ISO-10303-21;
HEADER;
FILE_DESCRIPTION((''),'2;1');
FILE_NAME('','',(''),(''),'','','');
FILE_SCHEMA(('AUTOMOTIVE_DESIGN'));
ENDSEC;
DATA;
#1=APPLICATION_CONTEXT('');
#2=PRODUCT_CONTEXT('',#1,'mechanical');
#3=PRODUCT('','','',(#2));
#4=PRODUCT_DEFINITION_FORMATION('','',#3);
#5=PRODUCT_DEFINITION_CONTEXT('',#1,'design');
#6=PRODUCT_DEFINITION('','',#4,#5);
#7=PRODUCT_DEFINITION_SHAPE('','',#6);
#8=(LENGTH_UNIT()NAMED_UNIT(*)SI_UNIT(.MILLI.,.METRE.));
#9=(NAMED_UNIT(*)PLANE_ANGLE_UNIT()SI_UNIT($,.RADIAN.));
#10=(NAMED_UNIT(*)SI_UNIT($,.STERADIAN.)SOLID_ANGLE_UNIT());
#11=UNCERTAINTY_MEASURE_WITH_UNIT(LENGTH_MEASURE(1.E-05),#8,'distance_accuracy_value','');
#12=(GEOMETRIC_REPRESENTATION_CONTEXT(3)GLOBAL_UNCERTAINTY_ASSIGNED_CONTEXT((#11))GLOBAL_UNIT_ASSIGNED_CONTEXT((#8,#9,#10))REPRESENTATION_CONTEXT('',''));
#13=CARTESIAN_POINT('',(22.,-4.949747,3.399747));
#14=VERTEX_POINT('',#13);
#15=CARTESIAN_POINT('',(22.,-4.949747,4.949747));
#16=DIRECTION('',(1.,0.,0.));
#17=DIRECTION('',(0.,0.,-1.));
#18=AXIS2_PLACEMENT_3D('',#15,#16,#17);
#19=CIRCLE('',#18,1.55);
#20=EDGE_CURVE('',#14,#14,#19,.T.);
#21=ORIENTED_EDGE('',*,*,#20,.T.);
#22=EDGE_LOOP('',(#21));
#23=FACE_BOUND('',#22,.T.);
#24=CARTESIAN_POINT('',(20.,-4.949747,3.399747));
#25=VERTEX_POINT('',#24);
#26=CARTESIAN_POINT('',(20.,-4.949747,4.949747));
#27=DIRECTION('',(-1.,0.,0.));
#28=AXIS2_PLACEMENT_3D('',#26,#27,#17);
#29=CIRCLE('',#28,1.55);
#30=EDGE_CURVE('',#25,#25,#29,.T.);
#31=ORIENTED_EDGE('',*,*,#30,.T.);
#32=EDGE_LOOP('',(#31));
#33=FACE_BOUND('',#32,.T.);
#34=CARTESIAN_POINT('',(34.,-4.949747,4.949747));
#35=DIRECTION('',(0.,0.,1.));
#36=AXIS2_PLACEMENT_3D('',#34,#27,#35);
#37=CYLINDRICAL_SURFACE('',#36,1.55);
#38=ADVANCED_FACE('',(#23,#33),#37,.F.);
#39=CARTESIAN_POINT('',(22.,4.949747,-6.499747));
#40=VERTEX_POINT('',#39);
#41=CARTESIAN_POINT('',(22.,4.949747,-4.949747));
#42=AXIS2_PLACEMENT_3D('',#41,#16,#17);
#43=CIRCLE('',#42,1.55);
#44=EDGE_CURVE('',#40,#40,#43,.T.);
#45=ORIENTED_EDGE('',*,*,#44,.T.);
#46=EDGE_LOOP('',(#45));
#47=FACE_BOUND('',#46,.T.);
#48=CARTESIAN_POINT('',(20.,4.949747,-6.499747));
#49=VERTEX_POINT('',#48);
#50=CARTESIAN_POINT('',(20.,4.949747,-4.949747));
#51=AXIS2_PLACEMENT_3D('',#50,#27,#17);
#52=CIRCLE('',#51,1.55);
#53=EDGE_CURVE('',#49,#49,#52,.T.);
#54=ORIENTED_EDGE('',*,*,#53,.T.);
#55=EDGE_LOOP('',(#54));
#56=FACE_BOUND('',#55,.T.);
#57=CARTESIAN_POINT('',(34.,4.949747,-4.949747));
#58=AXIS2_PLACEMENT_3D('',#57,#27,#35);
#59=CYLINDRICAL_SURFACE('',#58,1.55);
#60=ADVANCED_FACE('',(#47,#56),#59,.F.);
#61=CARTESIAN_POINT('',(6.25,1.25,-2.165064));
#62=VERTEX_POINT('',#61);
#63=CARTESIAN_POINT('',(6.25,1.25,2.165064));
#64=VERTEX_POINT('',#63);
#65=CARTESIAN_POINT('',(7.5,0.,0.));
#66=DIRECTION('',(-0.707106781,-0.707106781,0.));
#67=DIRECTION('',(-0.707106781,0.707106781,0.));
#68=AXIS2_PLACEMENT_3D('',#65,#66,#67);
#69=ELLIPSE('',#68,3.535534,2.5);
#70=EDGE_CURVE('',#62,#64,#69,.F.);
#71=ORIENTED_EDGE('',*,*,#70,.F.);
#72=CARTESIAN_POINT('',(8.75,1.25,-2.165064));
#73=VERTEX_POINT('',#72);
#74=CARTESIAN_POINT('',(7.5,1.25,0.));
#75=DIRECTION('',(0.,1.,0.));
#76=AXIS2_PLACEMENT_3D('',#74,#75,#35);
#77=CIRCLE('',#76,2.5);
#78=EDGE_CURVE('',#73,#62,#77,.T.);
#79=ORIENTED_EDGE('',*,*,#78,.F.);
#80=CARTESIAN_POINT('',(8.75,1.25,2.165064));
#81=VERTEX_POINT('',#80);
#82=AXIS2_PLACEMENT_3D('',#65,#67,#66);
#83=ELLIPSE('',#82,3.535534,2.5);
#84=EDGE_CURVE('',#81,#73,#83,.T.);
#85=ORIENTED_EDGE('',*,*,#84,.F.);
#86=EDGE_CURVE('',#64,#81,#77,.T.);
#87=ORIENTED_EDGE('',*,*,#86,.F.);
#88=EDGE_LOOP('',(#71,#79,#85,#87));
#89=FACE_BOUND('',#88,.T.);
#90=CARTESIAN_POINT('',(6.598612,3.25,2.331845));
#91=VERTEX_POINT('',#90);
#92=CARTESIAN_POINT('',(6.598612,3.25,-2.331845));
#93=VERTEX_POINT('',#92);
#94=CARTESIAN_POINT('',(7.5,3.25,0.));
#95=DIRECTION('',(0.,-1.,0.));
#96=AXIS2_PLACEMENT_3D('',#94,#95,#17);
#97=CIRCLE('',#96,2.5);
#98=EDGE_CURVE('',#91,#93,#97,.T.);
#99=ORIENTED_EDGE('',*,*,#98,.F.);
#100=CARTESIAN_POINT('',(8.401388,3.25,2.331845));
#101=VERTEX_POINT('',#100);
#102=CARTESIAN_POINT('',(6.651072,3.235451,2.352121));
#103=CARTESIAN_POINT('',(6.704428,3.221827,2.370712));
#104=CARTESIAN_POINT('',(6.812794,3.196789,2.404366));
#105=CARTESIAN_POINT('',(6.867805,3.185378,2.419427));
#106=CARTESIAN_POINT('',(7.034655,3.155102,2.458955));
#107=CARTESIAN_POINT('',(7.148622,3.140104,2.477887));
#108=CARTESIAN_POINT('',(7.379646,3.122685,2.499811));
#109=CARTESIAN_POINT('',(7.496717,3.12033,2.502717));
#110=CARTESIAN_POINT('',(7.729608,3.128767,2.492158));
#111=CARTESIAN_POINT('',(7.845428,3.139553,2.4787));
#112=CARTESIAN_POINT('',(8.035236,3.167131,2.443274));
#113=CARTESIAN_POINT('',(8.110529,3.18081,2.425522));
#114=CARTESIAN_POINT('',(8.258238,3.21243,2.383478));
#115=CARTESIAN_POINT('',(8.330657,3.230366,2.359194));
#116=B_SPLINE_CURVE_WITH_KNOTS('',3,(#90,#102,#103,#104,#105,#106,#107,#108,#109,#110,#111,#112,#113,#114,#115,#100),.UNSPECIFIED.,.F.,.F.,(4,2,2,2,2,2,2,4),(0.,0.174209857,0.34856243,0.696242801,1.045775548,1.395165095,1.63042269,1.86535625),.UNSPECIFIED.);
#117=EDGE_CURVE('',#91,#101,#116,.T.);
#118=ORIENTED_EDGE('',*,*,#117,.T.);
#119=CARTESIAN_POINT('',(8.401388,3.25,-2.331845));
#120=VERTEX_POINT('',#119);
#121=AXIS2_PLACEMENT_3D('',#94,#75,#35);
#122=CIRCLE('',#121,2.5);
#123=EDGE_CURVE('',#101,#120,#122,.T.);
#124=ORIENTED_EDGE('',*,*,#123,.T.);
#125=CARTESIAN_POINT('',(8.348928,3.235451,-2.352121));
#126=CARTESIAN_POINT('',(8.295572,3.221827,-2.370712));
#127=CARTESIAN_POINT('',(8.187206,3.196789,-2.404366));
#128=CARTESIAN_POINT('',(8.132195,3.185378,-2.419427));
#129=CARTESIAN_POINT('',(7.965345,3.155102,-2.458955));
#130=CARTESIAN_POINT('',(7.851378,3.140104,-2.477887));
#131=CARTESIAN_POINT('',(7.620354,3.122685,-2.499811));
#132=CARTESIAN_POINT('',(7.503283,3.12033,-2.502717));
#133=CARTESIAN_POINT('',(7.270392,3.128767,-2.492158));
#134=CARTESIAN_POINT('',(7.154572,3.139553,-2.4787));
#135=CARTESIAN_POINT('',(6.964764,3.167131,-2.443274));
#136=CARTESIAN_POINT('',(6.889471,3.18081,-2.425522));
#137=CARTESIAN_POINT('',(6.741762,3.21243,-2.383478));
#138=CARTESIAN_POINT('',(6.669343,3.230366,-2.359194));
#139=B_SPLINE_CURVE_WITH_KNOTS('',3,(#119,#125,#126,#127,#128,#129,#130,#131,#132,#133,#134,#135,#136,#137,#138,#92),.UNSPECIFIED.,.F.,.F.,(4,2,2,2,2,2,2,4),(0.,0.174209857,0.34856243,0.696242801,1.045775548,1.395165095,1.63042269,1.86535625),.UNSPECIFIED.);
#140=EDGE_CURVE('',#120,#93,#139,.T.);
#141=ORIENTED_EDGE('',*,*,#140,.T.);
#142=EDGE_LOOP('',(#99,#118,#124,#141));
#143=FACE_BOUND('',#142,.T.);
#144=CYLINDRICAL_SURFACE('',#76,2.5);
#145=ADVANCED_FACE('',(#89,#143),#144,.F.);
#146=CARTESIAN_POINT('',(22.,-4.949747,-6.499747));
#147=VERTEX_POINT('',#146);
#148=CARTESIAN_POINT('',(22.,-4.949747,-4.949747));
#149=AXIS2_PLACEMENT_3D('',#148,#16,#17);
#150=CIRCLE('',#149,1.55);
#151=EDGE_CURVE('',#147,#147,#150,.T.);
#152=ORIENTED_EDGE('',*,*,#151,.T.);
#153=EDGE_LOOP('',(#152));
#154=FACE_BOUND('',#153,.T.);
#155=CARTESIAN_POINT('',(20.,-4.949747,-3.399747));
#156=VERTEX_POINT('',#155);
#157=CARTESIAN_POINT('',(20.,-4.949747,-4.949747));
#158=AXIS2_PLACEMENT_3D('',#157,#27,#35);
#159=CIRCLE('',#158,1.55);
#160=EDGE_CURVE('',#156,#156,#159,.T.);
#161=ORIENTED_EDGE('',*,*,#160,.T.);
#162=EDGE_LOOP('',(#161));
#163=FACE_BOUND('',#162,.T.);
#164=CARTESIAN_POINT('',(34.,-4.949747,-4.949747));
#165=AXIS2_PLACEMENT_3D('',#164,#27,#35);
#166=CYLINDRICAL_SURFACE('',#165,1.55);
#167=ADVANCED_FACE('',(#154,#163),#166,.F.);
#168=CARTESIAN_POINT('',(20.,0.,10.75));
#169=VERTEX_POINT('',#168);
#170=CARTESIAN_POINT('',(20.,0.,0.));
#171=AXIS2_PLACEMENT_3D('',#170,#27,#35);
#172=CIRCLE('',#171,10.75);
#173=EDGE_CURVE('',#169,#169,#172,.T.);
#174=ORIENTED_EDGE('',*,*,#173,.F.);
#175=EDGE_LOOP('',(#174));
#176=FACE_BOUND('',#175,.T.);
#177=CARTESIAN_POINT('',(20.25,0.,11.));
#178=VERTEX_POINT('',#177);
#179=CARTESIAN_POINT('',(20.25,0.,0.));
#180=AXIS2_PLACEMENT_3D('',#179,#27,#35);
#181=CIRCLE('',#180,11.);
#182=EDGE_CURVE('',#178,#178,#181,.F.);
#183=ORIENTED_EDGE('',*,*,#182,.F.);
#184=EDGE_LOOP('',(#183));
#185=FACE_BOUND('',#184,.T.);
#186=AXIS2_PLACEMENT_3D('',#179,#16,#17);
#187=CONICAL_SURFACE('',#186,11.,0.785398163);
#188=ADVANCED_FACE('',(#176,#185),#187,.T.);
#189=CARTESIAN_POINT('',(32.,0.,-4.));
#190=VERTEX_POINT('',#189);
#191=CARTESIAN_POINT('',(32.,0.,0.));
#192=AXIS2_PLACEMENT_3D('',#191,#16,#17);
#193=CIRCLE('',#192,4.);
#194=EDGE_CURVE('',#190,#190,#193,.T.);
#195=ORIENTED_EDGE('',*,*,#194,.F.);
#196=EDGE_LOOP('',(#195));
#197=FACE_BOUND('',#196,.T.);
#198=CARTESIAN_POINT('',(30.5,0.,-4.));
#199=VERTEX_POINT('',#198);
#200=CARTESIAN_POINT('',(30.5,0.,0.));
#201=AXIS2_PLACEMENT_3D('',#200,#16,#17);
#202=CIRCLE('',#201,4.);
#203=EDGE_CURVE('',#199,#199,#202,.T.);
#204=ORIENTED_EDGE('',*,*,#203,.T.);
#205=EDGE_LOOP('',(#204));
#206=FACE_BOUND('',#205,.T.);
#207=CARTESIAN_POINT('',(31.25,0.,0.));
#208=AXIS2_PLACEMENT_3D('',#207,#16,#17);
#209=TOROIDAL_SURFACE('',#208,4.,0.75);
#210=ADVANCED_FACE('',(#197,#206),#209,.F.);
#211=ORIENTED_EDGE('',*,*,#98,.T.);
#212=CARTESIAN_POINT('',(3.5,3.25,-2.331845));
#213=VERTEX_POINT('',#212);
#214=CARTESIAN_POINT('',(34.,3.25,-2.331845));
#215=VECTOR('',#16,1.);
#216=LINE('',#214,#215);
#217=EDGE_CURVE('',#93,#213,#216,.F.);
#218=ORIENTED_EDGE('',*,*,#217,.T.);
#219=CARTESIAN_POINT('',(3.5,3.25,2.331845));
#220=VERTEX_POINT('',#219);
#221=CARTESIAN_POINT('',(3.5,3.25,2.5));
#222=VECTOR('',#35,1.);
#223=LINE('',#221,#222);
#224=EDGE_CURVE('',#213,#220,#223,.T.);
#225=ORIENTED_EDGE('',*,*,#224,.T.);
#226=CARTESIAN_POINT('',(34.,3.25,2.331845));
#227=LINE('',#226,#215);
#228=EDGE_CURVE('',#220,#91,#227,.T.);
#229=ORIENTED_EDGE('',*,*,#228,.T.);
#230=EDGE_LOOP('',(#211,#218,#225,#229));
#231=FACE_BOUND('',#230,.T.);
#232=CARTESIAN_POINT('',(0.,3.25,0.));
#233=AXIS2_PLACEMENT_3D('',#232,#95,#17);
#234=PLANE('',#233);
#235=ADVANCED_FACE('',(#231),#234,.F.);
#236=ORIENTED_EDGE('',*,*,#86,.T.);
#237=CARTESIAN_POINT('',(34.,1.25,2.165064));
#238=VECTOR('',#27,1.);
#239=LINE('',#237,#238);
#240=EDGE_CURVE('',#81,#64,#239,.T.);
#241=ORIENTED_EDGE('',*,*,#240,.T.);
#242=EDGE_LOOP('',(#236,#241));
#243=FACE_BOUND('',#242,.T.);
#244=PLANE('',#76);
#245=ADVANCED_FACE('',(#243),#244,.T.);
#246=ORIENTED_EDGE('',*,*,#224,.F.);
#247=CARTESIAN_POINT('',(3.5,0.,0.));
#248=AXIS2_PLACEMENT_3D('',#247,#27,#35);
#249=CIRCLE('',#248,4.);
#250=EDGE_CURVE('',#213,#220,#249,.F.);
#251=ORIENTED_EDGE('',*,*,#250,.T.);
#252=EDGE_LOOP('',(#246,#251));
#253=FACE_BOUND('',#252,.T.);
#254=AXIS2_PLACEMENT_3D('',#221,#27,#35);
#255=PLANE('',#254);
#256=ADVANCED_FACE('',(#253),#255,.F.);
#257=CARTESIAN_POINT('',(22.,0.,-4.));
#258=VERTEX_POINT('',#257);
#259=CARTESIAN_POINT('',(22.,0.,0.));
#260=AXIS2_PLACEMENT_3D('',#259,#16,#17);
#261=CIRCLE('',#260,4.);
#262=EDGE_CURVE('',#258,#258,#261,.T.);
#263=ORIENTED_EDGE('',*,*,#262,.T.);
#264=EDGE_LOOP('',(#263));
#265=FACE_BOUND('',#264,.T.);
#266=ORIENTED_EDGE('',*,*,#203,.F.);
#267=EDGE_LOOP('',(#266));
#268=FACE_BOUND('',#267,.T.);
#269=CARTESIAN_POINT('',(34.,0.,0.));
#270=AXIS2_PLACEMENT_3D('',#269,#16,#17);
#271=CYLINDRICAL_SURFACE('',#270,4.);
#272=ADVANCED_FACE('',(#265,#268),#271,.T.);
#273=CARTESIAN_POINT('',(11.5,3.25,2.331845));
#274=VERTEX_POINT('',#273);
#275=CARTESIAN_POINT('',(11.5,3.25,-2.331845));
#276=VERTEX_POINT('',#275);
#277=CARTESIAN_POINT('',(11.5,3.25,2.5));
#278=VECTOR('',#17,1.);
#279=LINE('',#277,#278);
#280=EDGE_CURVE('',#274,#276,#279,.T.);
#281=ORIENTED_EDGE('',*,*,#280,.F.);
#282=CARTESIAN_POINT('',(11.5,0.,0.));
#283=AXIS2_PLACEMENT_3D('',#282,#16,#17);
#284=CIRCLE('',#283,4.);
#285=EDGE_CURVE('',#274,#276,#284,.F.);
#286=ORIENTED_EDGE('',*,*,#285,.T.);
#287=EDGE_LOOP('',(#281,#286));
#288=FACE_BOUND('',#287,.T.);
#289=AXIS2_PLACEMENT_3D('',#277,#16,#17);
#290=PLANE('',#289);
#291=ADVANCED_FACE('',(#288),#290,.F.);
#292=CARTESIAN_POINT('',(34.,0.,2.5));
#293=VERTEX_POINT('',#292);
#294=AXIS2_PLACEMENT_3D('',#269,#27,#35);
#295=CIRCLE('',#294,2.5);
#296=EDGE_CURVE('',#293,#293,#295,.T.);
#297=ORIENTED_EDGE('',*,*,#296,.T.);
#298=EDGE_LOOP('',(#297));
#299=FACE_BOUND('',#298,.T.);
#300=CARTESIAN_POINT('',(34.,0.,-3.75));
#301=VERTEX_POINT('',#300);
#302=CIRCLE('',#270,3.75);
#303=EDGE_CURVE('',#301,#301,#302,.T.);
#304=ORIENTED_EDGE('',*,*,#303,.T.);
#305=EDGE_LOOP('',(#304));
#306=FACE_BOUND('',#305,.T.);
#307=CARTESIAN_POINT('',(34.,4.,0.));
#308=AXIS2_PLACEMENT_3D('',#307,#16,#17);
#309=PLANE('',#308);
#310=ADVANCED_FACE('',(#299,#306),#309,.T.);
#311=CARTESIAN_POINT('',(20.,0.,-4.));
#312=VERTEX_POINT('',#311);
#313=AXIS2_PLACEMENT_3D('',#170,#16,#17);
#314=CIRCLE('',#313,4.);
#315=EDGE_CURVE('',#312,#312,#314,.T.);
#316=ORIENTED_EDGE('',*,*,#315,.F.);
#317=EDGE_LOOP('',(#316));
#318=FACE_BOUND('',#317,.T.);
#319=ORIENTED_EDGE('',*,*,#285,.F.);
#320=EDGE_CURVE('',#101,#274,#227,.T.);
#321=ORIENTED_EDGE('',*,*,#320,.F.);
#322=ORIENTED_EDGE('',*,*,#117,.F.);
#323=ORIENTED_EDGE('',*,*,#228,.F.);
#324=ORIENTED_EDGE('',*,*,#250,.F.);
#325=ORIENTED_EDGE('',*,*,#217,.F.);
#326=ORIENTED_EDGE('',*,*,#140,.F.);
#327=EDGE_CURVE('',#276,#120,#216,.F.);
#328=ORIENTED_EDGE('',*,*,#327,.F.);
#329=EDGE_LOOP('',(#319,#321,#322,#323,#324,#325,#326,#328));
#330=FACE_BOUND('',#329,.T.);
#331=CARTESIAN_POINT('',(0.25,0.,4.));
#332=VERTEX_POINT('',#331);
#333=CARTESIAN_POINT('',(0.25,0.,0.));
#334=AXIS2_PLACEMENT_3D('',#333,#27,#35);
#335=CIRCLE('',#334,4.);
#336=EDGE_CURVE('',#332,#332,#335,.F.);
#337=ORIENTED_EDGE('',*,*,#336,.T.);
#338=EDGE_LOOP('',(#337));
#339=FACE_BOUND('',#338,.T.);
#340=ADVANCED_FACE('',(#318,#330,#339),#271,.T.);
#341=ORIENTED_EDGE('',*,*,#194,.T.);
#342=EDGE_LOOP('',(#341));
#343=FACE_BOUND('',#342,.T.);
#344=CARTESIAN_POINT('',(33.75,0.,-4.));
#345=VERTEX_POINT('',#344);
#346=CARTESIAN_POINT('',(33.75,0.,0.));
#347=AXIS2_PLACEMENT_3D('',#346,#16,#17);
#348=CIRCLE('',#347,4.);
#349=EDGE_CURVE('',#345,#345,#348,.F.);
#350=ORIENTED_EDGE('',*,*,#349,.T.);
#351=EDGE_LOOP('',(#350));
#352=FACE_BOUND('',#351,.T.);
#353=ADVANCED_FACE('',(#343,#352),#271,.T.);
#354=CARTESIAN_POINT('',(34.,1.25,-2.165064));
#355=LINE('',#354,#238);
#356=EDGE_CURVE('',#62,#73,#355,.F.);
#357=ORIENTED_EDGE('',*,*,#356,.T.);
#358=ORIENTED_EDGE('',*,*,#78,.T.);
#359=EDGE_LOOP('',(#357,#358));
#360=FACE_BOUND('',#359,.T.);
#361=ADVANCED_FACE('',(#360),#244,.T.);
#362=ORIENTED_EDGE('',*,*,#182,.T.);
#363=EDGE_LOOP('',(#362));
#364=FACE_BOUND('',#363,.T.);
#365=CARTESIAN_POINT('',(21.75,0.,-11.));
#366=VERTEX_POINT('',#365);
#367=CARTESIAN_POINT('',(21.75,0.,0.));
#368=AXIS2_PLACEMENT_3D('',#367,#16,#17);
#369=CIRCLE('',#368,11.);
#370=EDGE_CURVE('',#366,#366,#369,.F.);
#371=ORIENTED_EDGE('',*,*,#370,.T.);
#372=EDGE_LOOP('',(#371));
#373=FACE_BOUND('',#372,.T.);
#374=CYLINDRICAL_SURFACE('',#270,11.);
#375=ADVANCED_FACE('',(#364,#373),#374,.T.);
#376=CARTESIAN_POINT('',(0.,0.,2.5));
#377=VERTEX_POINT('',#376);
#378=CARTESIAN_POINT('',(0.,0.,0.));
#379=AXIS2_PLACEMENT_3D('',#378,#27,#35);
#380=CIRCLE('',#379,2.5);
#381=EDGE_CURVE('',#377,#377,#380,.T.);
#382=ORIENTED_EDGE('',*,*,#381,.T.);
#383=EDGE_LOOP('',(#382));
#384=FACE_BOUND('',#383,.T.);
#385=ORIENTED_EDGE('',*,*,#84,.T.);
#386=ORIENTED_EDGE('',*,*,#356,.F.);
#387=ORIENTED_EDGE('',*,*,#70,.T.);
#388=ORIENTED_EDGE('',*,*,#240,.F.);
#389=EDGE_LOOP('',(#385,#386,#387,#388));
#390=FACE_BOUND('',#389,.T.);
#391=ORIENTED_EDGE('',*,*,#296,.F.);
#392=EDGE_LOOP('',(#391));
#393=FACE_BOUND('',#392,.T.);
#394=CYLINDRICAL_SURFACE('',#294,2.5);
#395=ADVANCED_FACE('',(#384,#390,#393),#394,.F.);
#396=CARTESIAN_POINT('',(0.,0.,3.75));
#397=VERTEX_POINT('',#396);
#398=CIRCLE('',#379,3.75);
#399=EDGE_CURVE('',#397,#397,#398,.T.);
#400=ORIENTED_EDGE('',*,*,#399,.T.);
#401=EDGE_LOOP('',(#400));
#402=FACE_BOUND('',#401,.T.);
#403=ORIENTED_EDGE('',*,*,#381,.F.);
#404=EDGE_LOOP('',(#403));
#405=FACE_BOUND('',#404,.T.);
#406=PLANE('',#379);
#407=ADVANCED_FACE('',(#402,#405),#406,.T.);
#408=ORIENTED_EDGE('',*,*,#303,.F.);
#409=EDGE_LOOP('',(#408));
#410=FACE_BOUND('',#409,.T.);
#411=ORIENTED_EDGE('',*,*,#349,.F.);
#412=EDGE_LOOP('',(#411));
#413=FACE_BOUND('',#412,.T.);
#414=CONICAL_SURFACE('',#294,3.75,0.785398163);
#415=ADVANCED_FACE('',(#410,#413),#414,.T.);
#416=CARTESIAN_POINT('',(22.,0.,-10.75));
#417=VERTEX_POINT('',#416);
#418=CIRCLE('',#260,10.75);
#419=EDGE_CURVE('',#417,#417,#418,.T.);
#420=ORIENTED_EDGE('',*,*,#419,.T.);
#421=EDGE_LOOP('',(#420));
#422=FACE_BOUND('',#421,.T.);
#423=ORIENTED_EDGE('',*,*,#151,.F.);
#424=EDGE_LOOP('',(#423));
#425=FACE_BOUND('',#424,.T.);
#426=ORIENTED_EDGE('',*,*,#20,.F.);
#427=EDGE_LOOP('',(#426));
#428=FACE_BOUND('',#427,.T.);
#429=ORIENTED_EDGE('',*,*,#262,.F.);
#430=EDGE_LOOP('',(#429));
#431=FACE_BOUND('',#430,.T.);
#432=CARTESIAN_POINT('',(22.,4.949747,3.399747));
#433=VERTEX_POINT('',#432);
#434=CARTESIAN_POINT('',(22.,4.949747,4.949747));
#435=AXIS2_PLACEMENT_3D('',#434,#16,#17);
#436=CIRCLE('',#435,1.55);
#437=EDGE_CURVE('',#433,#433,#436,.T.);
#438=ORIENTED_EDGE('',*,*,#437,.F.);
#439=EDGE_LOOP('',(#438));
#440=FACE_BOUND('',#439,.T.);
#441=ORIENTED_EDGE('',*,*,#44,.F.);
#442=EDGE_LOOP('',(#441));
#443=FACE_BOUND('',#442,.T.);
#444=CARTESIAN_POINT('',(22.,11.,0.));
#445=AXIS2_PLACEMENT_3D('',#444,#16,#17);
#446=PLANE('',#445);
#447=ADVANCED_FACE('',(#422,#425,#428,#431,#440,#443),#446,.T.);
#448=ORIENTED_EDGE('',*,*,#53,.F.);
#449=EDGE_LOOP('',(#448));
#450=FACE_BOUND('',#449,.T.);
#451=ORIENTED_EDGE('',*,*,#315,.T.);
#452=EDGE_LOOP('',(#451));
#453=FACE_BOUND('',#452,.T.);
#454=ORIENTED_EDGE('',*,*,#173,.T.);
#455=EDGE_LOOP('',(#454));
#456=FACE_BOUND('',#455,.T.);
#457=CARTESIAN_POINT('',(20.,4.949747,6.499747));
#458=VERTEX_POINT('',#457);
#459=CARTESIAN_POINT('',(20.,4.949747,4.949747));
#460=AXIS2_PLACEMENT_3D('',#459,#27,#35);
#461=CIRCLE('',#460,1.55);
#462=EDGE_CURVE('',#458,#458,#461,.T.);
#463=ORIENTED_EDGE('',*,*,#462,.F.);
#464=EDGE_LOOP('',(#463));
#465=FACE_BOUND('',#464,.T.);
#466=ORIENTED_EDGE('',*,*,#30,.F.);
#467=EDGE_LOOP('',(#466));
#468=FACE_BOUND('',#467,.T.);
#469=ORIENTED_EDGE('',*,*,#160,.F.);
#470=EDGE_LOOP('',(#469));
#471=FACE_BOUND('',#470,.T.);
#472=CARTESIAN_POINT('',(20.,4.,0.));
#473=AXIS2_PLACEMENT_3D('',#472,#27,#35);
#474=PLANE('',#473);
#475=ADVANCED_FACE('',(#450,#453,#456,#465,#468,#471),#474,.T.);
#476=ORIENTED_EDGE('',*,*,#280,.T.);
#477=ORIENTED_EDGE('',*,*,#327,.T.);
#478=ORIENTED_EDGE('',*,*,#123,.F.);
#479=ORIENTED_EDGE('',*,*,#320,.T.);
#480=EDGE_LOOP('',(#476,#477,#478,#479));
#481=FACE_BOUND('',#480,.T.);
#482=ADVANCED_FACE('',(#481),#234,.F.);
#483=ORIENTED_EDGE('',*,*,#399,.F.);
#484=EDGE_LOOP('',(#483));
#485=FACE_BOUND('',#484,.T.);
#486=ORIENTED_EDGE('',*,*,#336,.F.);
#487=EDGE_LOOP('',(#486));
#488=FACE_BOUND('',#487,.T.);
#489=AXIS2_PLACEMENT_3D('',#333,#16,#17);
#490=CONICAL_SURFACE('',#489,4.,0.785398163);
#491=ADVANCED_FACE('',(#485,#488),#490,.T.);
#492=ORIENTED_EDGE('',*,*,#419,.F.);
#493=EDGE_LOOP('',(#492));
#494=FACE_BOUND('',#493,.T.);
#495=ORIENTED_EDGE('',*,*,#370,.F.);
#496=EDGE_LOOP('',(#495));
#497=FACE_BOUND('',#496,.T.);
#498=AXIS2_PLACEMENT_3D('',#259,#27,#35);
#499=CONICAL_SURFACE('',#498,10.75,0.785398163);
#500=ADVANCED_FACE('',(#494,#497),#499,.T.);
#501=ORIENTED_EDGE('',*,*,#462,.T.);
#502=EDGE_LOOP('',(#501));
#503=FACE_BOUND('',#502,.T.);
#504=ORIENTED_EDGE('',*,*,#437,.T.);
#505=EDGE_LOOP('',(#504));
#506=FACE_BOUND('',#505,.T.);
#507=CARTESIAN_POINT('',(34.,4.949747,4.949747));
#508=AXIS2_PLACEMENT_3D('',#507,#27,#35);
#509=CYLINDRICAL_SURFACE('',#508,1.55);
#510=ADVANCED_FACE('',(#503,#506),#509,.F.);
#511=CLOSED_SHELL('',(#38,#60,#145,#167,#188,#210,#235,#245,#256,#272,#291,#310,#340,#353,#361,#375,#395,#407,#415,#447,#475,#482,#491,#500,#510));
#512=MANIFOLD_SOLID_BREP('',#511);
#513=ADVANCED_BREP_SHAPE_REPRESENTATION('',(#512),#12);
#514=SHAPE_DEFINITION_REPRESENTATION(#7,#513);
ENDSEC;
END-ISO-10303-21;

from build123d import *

# Parameters (mm, degrees)
SKETCH2_R          = 1.55
CUT_EXTRUDE1_DEPTH = 26.337718919
SKETCH3_R          = 2.5
CUT_EXTRUDE2_DEPTH = 38.389838192
SKETCH4_W          = 8
SKETCH4_H          = 5
CUT_EXTRUDE3_DEPTH = 0.75
SKETCH5_R          = 2.5
CUT_EXTRUDE4_DEPTH = 2
CHAMFER1_SIZE      = 0.25


with BuildPart() as part:
    # Sketch1 → Revolve1 (revolve)
    with BuildSketch(Plane.XY, mode=Mode.PRIVATE) as revolve1_sk:
        with BuildLine():
            Line((0, 0), (0, 4))
            Line((0, 4), (20, 4))
            Line((20, 4), (20, 11))
            Line((20, 11), (22, 11))
            Line((22, 11), (22, 4))
            Line((22, 4), (30.5, 4))
            ThreePointArc((30.5, 4), (31.25, 3.25), (32, 4))
            Line((32, 4), (34, 4))
            Line((34, 4), (34, 0))
            Line((34, 0), (0, 0))
        make_face()
    revolve(revolve1_sk.sketch.rotate(Axis((34, 0, 0), (-1, 0, 0)), 90), axis=Axis((34, 0, 0), (-1, 0, 0)))

    # Sketch2 → Cut-Extrude1 (cut, through all)
    with BuildSketch(Plane.ZY.offset(-20)):
        with Locations((4.949747468, 4.949747468)):
            Circle(SKETCH2_R)
        with Locations(Location((-4.949747468, 4.949747468, 0), (0, 0, 180))):
            Circle(SKETCH2_R)
        with Locations(Location((4.949747468, -4.949747468, 0), (0, 0, 180))):
            Circle(SKETCH2_R)
        with Locations((-4.949747468, -4.949747468)):
            Circle(SKETCH2_R)
    extrude(amount=-CUT_EXTRUDE1_DEPTH, mode=Mode.SUBTRACT)

    # Sketch3 → Cut-Extrude2 (cut, through all)
    with BuildSketch(Plane.ZY):
        Circle(SKETCH3_R)
    extrude(amount=-CUT_EXTRUDE2_DEPTH, mode=Mode.SUBTRACT)

    # Sketch4 → Cut-Extrude3 (cut)
    with BuildSketch(Plane(origin=(0, 4, 0), x_dir=(1, 0, 0), z_dir=(0, 1, 0))):
        with Locations((7.5, 0)):
            Rectangle(SKETCH4_W, SKETCH4_H)
    extrude(amount=-CUT_EXTRUDE3_DEPTH, mode=Mode.SUBTRACT)

    # Sketch5 → Cut-Extrude4 (cut)
    with BuildSketch(Plane(origin=(0, 3.25, 0), x_dir=(1, 0, 0), z_dir=(0, 1, 0))):
        with Locations(Location((7.5, 0, 0), (0, 0, 248.865707785))):
            Circle(SKETCH5_R)
    extrude(amount=-CUT_EXTRUDE4_DEPTH, mode=Mode.SUBTRACT)

    # Chamfer1
    chamfer1_edges = [part.edges().sort_by_distance(p)[0] for p in [
        (34, 0, 4),
        (0, 0, 4),
        (20, 0, 11),
        (22, 0, 11),
    ]]
    chamfer(chamfer1_edges, length=CHAMFER1_SIZE)


solid = part.part
